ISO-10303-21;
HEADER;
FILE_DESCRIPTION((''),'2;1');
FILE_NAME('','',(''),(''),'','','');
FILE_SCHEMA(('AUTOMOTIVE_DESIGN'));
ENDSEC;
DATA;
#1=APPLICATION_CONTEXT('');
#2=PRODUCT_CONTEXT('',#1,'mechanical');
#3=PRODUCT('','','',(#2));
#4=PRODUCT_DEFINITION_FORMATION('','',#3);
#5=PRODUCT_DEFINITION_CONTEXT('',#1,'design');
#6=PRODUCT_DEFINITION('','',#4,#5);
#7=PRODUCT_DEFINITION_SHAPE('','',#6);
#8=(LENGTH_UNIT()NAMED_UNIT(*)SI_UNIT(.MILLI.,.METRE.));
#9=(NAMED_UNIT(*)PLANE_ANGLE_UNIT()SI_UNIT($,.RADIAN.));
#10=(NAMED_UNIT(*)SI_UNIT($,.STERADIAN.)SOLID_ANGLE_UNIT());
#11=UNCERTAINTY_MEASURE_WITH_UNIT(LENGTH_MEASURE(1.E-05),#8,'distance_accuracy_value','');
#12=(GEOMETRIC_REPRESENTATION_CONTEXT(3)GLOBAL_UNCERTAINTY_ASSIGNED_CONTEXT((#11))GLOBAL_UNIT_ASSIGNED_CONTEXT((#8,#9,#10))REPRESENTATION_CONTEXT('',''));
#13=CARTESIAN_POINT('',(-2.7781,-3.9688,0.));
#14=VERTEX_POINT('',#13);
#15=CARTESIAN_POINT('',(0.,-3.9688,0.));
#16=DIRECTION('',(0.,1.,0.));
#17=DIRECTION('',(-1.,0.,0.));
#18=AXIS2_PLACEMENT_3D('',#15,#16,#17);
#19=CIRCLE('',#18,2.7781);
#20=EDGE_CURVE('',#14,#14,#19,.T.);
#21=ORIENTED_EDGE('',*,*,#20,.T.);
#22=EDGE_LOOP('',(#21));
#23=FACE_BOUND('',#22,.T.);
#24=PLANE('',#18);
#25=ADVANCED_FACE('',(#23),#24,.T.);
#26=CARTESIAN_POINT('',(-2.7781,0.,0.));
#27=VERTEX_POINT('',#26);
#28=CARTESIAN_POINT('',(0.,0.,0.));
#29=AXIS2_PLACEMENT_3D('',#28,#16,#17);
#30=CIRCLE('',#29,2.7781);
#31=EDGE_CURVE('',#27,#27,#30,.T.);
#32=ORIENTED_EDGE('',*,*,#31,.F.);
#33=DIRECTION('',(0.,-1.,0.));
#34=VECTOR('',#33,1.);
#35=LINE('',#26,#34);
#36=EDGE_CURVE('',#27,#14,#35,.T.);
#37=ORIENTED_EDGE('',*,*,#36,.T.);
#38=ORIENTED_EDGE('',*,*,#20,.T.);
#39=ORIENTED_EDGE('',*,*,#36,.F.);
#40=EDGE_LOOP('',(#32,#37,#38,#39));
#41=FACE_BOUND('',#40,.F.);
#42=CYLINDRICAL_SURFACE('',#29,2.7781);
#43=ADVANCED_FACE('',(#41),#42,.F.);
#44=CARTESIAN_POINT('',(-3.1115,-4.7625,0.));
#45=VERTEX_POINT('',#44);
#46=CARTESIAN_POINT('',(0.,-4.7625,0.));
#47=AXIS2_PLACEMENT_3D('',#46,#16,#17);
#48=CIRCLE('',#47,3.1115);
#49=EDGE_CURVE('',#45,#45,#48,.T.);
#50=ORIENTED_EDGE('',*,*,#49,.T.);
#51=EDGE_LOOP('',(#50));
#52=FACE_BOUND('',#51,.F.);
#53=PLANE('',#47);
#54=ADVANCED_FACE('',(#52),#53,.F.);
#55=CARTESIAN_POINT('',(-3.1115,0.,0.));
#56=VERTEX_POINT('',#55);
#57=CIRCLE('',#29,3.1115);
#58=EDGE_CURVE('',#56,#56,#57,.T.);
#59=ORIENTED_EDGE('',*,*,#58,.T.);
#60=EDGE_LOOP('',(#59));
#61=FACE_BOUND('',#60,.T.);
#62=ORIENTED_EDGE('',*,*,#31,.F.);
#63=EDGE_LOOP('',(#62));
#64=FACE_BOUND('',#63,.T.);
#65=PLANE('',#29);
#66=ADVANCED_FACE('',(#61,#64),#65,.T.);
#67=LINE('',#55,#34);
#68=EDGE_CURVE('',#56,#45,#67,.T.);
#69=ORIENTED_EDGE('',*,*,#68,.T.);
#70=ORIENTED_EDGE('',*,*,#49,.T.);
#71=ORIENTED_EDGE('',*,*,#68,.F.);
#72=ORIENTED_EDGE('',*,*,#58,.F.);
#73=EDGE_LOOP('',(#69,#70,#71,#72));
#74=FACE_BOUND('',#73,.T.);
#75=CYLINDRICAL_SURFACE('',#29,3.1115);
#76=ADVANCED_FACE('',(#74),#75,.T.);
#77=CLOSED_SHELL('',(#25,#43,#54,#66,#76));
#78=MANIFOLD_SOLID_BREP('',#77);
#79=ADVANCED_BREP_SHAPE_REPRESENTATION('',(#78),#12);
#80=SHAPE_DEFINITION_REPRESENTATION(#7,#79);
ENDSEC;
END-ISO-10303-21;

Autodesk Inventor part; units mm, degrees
ref_plane "YZ Plane" through (0, 0, 0) normal (1, 0, 0) x (0, 1, 0)
ref_plane "XZ Plane" through (0, 0, 0) normal (0, 1, 0) x (-1, 0, 0)
ref_plane "XY Plane" through (0, 0, 0) normal (0, 0, 1) x (1, 0, 0)
sketch "Sketch1" plane through (0, 0, 0) normal (0, 1, 0) x (-1, 0, 0)
  circle A0 centre (0, 0) radius 3.1115
  circle A1 centre (0, 0) radius 2.7781
  dimension "d0" = 6.223
  dimension "d1" = 5.5563
extrude "Extrusion1" add sketch "Sketch1" against normal blind 4.7625 contours A0 | A1
extrude "Extrusion2" cut sketch "Sketch1" against normal blind 3.9688 contours A1
properties part number "Piston Crown"
